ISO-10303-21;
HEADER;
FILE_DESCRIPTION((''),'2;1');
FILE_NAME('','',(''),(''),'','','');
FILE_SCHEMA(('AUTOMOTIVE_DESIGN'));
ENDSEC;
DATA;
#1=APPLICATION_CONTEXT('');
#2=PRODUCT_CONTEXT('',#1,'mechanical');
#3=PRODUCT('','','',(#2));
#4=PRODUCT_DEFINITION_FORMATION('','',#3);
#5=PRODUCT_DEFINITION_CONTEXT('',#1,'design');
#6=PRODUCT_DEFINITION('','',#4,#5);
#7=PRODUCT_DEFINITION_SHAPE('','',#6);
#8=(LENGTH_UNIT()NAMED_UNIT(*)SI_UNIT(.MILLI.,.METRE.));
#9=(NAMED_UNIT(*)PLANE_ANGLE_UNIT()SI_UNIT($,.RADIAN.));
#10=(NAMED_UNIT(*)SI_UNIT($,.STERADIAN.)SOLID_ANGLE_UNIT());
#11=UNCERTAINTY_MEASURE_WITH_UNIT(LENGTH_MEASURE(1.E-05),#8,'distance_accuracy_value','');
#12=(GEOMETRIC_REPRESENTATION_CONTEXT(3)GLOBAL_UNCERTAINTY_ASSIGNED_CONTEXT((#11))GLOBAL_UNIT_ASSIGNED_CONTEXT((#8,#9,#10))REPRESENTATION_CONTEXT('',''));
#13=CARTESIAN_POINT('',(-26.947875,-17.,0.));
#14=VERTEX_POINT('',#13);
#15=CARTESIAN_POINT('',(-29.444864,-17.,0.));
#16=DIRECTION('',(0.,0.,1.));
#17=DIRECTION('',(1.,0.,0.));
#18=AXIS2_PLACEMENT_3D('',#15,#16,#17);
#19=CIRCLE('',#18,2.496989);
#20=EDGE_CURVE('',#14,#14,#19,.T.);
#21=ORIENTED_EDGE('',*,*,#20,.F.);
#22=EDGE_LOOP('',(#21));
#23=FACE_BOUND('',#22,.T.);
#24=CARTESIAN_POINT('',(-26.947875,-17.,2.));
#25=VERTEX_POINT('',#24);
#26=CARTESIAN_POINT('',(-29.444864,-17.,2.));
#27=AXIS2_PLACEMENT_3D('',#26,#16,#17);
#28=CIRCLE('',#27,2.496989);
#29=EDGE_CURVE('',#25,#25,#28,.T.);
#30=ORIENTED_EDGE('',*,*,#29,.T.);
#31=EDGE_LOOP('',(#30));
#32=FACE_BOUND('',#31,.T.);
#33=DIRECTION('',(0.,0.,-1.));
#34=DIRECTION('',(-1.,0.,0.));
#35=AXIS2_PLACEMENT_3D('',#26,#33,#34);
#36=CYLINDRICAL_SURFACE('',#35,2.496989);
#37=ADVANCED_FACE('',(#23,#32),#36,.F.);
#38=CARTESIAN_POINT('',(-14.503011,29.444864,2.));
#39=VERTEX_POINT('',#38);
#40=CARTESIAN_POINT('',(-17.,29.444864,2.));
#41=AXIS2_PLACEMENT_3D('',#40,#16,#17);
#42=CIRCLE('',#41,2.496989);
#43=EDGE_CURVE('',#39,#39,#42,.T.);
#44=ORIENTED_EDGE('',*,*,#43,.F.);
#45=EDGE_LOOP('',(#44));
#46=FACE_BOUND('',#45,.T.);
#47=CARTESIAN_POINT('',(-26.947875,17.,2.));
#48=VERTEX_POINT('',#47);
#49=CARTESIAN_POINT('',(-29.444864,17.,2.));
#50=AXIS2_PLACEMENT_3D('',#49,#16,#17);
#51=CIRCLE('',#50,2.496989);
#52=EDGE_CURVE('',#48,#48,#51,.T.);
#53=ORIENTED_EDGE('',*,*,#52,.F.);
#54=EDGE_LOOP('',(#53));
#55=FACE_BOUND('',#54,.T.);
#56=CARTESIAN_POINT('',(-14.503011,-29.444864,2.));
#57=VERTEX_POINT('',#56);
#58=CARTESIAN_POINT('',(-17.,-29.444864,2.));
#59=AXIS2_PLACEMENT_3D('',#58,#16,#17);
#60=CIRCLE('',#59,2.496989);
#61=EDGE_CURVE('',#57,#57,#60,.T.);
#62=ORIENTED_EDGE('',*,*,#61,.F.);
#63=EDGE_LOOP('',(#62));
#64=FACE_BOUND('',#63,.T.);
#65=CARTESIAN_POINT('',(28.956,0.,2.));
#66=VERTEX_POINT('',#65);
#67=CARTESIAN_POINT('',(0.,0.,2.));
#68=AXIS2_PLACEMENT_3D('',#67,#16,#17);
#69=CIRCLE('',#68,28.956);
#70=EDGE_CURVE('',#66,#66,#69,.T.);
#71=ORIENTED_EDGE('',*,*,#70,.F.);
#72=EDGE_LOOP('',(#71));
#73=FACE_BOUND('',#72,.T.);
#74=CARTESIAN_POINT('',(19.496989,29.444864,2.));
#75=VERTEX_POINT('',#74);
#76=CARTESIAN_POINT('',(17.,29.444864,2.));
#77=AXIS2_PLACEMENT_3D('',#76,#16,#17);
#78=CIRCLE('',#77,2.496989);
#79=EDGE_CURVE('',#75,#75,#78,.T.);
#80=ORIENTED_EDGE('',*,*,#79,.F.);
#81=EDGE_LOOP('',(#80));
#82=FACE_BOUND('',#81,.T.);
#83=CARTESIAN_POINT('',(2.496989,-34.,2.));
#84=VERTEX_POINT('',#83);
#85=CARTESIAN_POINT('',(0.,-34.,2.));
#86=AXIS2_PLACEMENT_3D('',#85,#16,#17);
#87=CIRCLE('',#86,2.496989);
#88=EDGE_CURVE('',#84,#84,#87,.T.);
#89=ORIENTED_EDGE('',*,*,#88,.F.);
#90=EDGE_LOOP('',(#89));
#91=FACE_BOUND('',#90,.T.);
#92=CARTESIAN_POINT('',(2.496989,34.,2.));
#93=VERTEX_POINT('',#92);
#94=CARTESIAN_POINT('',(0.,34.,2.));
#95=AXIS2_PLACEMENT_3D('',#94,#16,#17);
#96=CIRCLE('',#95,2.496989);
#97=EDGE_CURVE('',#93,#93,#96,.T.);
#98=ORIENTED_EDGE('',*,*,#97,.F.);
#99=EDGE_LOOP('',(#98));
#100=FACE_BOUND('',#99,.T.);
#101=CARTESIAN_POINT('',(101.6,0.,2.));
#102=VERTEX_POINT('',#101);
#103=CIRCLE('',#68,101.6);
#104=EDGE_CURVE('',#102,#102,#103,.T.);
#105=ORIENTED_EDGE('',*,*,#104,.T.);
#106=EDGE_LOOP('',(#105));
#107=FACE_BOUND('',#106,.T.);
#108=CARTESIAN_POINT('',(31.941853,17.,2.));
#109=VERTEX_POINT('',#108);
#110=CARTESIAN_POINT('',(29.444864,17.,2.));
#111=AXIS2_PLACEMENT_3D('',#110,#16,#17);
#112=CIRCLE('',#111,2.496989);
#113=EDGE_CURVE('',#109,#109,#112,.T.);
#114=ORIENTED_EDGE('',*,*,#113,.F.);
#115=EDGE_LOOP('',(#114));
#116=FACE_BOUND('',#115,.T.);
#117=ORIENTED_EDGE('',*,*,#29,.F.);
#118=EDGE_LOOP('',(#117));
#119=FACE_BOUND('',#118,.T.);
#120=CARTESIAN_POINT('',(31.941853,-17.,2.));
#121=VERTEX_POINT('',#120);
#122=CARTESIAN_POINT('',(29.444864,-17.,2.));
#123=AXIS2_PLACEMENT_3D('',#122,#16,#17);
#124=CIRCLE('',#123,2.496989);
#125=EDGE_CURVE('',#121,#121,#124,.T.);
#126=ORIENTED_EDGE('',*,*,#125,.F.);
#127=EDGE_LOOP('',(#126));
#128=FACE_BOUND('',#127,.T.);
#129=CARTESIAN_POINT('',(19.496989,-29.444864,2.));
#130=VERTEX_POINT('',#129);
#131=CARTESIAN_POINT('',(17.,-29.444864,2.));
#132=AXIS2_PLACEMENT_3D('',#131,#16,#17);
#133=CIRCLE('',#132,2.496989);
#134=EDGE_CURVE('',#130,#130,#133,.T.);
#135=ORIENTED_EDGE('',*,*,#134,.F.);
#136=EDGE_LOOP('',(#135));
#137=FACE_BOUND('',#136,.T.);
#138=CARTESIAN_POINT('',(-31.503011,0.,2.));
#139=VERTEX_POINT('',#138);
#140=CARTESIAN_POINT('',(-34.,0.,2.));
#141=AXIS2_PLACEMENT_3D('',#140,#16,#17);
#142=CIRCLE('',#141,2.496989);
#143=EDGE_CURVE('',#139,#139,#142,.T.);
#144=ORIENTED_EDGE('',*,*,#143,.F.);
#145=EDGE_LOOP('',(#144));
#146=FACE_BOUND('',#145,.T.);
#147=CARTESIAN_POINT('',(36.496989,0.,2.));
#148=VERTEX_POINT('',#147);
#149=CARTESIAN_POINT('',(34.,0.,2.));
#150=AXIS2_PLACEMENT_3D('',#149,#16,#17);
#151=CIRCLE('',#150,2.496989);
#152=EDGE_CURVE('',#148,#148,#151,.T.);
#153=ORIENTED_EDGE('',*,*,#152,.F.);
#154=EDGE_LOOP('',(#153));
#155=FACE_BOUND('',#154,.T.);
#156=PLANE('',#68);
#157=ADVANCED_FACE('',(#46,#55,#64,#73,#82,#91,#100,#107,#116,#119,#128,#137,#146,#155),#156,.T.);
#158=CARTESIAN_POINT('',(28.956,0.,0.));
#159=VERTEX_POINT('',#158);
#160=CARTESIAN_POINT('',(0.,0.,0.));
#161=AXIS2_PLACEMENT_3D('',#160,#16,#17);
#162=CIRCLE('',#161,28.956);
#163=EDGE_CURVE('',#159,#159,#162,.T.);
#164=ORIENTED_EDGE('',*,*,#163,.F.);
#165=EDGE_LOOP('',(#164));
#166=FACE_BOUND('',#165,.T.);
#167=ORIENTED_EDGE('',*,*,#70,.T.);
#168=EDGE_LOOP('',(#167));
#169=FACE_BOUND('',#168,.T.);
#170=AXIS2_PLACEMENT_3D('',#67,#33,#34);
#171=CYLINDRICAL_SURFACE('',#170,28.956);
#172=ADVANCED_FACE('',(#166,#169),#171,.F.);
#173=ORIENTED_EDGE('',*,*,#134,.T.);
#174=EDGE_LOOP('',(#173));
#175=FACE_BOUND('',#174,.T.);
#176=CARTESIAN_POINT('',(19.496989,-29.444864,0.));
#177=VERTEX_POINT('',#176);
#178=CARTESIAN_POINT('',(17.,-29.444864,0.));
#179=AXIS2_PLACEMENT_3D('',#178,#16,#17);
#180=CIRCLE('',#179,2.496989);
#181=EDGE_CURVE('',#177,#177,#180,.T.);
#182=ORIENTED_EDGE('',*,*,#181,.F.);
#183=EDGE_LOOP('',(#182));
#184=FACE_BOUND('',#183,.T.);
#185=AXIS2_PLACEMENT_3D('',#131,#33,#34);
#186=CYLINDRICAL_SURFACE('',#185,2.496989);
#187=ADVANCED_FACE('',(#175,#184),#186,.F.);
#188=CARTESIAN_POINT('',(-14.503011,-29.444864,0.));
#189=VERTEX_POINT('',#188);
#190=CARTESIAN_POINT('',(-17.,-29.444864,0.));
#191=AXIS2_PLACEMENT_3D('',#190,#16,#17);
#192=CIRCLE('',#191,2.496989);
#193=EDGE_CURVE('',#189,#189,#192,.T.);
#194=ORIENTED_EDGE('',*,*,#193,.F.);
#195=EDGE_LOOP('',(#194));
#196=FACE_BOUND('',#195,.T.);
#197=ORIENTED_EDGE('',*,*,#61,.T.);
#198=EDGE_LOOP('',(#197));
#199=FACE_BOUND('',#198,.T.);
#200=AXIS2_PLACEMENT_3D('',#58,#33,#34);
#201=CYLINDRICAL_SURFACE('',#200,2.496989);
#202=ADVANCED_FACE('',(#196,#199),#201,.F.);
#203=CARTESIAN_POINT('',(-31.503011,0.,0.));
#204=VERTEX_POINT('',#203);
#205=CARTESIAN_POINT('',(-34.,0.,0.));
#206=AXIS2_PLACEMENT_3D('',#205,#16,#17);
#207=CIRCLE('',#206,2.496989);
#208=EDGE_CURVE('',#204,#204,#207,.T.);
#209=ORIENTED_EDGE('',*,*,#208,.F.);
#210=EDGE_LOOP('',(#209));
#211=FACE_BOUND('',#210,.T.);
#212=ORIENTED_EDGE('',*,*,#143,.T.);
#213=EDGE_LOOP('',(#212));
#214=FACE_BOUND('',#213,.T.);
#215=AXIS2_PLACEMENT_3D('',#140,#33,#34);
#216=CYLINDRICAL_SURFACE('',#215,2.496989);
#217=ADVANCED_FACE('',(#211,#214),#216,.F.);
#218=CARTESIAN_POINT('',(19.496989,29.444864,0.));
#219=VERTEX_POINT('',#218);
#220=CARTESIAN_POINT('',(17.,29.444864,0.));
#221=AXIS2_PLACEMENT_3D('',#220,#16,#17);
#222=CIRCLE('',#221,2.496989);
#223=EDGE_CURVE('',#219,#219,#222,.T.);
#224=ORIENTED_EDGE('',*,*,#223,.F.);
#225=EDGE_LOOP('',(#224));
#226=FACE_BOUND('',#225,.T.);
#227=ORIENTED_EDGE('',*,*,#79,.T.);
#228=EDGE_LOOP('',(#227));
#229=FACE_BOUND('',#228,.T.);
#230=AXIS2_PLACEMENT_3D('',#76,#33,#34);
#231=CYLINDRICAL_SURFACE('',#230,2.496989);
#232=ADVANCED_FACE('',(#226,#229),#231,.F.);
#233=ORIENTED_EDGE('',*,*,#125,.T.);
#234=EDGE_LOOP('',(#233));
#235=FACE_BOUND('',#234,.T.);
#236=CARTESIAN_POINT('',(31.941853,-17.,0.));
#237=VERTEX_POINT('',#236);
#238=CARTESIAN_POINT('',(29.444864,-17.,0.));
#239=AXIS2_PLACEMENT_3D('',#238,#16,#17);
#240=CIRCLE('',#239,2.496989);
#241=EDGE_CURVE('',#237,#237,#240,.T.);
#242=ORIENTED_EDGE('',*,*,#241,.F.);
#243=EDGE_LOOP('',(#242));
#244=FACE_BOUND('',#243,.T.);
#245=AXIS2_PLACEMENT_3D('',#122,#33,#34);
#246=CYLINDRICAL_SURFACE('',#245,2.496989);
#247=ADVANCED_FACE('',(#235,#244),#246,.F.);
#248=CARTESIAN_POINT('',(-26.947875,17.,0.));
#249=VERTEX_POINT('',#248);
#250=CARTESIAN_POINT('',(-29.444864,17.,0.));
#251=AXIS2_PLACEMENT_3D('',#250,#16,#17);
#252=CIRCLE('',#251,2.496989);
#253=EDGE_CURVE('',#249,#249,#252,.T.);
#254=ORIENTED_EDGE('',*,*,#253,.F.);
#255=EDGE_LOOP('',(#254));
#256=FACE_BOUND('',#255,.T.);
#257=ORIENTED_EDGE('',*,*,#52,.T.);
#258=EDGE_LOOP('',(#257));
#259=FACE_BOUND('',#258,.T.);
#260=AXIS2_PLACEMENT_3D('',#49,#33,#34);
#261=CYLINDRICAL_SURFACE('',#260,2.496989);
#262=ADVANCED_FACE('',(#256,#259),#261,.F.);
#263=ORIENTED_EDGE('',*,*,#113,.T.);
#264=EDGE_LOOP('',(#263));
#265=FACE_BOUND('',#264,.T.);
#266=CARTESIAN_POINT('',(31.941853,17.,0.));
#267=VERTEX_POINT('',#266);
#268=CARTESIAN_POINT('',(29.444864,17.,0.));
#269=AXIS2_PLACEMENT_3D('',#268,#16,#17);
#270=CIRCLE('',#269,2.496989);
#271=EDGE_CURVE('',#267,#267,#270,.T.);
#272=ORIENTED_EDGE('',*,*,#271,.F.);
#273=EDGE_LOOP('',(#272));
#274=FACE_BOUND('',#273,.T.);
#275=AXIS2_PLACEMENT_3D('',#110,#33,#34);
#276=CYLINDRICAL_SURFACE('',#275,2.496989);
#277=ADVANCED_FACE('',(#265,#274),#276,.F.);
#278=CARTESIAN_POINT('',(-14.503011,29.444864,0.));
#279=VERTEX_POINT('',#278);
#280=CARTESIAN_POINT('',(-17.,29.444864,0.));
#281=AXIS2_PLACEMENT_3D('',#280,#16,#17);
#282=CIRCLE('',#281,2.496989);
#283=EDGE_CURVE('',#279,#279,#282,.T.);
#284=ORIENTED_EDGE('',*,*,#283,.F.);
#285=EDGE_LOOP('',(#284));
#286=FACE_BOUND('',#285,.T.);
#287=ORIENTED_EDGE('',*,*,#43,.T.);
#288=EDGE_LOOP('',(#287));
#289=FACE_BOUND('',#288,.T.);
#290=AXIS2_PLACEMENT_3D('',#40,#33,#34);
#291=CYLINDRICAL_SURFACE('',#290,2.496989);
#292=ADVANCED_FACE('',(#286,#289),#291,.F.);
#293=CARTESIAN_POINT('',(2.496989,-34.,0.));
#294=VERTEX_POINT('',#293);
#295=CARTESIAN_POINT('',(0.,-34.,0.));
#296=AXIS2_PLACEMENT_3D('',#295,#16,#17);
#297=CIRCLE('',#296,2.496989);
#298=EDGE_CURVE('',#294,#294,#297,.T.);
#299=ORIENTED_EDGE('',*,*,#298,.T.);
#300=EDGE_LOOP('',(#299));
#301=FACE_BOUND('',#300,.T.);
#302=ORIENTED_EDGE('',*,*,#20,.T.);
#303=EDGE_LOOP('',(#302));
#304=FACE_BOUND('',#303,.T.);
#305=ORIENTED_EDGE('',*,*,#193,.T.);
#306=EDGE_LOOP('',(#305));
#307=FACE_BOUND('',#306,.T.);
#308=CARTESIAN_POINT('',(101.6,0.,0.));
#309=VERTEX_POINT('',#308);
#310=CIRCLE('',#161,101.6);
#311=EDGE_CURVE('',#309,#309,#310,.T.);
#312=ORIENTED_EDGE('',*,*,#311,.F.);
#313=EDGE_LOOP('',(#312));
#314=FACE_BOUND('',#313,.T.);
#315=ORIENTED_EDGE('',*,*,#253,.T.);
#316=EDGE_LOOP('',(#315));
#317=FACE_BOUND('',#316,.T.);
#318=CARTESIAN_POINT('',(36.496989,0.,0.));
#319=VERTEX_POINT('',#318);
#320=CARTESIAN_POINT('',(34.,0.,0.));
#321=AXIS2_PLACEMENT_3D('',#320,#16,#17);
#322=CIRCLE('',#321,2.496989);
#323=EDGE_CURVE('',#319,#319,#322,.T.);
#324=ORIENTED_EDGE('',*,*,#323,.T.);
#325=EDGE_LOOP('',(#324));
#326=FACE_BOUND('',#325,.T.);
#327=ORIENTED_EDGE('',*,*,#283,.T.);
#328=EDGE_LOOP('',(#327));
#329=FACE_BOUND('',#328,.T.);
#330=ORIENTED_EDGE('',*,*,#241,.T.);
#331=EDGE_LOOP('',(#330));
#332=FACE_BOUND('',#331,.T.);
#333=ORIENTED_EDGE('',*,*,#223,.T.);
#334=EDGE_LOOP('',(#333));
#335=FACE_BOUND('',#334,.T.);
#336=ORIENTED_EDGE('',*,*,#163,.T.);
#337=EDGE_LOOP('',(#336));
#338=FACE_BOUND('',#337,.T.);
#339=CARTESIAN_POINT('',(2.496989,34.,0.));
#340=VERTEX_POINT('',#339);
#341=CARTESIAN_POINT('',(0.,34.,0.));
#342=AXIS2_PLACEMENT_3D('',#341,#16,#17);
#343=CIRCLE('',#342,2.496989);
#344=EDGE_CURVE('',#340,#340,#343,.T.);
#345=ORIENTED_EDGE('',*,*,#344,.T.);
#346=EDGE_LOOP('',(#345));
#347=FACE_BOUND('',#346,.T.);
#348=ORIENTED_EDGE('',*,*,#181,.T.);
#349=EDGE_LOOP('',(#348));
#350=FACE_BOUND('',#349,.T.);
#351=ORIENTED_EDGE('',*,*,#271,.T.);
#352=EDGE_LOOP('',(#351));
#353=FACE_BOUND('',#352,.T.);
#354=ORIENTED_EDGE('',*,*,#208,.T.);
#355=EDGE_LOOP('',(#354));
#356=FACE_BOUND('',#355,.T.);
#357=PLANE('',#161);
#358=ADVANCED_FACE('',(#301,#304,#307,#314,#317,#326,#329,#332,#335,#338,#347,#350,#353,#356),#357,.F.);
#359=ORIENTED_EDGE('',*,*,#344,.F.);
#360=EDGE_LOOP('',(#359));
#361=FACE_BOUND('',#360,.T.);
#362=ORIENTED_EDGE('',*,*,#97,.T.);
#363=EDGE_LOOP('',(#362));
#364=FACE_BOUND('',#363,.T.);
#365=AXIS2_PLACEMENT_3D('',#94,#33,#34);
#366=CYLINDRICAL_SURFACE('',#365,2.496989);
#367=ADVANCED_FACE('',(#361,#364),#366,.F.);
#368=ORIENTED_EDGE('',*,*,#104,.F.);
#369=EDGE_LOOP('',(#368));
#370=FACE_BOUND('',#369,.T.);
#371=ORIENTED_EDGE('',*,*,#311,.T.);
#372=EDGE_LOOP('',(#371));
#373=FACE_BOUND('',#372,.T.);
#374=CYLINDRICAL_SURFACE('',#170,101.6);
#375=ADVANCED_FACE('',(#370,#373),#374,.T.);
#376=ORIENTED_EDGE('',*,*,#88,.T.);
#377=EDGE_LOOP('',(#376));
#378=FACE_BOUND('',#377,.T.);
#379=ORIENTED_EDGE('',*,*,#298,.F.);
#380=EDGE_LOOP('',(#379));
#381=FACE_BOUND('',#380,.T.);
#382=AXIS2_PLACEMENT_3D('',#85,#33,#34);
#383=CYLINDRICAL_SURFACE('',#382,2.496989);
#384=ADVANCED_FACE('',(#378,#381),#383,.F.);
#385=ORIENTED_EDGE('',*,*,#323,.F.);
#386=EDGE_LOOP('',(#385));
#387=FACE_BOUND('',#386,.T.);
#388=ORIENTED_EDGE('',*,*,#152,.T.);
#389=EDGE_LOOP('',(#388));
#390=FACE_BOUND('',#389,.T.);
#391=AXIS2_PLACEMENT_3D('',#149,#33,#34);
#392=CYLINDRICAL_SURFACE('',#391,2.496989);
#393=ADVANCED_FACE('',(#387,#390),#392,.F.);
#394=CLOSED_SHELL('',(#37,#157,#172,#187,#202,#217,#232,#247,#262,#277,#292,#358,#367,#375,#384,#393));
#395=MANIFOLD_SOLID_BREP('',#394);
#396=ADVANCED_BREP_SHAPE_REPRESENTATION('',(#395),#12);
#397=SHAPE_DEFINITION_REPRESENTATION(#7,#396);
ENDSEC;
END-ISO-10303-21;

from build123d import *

# Parameters (mm, degrees)
SKETCH1_R           = 101.6
SKETCH1_R_2         = 28.956
SKETCH1_R_3         = 2.49698907
BOSS_EXTRUDE1_DEPTH = 2


with BuildPart() as part:
    # Sketch1 → Boss-Extrude1 (new body)
    with BuildSketch(Plane.XY):
        Circle(SKETCH1_R)
        Circle(SKETCH1_R_2, mode=Mode.SUBTRACT)
        with Locations((0, 34)):
            Circle(SKETCH1_R_3, mode=Mode.SUBTRACT)
        with Locations((17, 29.444863729)):
            Circle(SKETCH1_R_3, mode=Mode.SUBTRACT)
        with Locations((29.444863729, 17)):
            Circle(SKETCH1_R_3, mode=Mode.SUBTRACT)
        with Locations((34, 0)):
            Circle(SKETCH1_R_3, mode=Mode.SUBTRACT)
        with Locations((29.444863729, -17)):
            Circle(SKETCH1_R_3, mode=Mode.SUBTRACT)
        with Locations((17, -29.444863729)):
            Circle(SKETCH1_R_3, mode=Mode.SUBTRACT)
        with Locations((0, -34)):
            Circle(SKETCH1_R_3, mode=Mode.SUBTRACT)
        with Locations((-17, -29.444863729)):
            Circle(SKETCH1_R_3, mode=Mode.SUBTRACT)
        with Locations((-29.444863729, -17)):
            Circle(SKETCH1_R_3, mode=Mode.SUBTRACT)
        with Locations((-34, 0)):
            Circle(SKETCH1_R_3, mode=Mode.SUBTRACT)
        with Locations((-29.444863729, 17)):
            Circle(SKETCH1_R_3, mode=Mode.SUBTRACT)
        with Locations((-17, 29.444863729)):
            Circle(SKETCH1_R_3, mode=Mode.SUBTRACT)
    extrude(amount=BOSS_EXTRUDE1_DEPTH)


solid = part.part
